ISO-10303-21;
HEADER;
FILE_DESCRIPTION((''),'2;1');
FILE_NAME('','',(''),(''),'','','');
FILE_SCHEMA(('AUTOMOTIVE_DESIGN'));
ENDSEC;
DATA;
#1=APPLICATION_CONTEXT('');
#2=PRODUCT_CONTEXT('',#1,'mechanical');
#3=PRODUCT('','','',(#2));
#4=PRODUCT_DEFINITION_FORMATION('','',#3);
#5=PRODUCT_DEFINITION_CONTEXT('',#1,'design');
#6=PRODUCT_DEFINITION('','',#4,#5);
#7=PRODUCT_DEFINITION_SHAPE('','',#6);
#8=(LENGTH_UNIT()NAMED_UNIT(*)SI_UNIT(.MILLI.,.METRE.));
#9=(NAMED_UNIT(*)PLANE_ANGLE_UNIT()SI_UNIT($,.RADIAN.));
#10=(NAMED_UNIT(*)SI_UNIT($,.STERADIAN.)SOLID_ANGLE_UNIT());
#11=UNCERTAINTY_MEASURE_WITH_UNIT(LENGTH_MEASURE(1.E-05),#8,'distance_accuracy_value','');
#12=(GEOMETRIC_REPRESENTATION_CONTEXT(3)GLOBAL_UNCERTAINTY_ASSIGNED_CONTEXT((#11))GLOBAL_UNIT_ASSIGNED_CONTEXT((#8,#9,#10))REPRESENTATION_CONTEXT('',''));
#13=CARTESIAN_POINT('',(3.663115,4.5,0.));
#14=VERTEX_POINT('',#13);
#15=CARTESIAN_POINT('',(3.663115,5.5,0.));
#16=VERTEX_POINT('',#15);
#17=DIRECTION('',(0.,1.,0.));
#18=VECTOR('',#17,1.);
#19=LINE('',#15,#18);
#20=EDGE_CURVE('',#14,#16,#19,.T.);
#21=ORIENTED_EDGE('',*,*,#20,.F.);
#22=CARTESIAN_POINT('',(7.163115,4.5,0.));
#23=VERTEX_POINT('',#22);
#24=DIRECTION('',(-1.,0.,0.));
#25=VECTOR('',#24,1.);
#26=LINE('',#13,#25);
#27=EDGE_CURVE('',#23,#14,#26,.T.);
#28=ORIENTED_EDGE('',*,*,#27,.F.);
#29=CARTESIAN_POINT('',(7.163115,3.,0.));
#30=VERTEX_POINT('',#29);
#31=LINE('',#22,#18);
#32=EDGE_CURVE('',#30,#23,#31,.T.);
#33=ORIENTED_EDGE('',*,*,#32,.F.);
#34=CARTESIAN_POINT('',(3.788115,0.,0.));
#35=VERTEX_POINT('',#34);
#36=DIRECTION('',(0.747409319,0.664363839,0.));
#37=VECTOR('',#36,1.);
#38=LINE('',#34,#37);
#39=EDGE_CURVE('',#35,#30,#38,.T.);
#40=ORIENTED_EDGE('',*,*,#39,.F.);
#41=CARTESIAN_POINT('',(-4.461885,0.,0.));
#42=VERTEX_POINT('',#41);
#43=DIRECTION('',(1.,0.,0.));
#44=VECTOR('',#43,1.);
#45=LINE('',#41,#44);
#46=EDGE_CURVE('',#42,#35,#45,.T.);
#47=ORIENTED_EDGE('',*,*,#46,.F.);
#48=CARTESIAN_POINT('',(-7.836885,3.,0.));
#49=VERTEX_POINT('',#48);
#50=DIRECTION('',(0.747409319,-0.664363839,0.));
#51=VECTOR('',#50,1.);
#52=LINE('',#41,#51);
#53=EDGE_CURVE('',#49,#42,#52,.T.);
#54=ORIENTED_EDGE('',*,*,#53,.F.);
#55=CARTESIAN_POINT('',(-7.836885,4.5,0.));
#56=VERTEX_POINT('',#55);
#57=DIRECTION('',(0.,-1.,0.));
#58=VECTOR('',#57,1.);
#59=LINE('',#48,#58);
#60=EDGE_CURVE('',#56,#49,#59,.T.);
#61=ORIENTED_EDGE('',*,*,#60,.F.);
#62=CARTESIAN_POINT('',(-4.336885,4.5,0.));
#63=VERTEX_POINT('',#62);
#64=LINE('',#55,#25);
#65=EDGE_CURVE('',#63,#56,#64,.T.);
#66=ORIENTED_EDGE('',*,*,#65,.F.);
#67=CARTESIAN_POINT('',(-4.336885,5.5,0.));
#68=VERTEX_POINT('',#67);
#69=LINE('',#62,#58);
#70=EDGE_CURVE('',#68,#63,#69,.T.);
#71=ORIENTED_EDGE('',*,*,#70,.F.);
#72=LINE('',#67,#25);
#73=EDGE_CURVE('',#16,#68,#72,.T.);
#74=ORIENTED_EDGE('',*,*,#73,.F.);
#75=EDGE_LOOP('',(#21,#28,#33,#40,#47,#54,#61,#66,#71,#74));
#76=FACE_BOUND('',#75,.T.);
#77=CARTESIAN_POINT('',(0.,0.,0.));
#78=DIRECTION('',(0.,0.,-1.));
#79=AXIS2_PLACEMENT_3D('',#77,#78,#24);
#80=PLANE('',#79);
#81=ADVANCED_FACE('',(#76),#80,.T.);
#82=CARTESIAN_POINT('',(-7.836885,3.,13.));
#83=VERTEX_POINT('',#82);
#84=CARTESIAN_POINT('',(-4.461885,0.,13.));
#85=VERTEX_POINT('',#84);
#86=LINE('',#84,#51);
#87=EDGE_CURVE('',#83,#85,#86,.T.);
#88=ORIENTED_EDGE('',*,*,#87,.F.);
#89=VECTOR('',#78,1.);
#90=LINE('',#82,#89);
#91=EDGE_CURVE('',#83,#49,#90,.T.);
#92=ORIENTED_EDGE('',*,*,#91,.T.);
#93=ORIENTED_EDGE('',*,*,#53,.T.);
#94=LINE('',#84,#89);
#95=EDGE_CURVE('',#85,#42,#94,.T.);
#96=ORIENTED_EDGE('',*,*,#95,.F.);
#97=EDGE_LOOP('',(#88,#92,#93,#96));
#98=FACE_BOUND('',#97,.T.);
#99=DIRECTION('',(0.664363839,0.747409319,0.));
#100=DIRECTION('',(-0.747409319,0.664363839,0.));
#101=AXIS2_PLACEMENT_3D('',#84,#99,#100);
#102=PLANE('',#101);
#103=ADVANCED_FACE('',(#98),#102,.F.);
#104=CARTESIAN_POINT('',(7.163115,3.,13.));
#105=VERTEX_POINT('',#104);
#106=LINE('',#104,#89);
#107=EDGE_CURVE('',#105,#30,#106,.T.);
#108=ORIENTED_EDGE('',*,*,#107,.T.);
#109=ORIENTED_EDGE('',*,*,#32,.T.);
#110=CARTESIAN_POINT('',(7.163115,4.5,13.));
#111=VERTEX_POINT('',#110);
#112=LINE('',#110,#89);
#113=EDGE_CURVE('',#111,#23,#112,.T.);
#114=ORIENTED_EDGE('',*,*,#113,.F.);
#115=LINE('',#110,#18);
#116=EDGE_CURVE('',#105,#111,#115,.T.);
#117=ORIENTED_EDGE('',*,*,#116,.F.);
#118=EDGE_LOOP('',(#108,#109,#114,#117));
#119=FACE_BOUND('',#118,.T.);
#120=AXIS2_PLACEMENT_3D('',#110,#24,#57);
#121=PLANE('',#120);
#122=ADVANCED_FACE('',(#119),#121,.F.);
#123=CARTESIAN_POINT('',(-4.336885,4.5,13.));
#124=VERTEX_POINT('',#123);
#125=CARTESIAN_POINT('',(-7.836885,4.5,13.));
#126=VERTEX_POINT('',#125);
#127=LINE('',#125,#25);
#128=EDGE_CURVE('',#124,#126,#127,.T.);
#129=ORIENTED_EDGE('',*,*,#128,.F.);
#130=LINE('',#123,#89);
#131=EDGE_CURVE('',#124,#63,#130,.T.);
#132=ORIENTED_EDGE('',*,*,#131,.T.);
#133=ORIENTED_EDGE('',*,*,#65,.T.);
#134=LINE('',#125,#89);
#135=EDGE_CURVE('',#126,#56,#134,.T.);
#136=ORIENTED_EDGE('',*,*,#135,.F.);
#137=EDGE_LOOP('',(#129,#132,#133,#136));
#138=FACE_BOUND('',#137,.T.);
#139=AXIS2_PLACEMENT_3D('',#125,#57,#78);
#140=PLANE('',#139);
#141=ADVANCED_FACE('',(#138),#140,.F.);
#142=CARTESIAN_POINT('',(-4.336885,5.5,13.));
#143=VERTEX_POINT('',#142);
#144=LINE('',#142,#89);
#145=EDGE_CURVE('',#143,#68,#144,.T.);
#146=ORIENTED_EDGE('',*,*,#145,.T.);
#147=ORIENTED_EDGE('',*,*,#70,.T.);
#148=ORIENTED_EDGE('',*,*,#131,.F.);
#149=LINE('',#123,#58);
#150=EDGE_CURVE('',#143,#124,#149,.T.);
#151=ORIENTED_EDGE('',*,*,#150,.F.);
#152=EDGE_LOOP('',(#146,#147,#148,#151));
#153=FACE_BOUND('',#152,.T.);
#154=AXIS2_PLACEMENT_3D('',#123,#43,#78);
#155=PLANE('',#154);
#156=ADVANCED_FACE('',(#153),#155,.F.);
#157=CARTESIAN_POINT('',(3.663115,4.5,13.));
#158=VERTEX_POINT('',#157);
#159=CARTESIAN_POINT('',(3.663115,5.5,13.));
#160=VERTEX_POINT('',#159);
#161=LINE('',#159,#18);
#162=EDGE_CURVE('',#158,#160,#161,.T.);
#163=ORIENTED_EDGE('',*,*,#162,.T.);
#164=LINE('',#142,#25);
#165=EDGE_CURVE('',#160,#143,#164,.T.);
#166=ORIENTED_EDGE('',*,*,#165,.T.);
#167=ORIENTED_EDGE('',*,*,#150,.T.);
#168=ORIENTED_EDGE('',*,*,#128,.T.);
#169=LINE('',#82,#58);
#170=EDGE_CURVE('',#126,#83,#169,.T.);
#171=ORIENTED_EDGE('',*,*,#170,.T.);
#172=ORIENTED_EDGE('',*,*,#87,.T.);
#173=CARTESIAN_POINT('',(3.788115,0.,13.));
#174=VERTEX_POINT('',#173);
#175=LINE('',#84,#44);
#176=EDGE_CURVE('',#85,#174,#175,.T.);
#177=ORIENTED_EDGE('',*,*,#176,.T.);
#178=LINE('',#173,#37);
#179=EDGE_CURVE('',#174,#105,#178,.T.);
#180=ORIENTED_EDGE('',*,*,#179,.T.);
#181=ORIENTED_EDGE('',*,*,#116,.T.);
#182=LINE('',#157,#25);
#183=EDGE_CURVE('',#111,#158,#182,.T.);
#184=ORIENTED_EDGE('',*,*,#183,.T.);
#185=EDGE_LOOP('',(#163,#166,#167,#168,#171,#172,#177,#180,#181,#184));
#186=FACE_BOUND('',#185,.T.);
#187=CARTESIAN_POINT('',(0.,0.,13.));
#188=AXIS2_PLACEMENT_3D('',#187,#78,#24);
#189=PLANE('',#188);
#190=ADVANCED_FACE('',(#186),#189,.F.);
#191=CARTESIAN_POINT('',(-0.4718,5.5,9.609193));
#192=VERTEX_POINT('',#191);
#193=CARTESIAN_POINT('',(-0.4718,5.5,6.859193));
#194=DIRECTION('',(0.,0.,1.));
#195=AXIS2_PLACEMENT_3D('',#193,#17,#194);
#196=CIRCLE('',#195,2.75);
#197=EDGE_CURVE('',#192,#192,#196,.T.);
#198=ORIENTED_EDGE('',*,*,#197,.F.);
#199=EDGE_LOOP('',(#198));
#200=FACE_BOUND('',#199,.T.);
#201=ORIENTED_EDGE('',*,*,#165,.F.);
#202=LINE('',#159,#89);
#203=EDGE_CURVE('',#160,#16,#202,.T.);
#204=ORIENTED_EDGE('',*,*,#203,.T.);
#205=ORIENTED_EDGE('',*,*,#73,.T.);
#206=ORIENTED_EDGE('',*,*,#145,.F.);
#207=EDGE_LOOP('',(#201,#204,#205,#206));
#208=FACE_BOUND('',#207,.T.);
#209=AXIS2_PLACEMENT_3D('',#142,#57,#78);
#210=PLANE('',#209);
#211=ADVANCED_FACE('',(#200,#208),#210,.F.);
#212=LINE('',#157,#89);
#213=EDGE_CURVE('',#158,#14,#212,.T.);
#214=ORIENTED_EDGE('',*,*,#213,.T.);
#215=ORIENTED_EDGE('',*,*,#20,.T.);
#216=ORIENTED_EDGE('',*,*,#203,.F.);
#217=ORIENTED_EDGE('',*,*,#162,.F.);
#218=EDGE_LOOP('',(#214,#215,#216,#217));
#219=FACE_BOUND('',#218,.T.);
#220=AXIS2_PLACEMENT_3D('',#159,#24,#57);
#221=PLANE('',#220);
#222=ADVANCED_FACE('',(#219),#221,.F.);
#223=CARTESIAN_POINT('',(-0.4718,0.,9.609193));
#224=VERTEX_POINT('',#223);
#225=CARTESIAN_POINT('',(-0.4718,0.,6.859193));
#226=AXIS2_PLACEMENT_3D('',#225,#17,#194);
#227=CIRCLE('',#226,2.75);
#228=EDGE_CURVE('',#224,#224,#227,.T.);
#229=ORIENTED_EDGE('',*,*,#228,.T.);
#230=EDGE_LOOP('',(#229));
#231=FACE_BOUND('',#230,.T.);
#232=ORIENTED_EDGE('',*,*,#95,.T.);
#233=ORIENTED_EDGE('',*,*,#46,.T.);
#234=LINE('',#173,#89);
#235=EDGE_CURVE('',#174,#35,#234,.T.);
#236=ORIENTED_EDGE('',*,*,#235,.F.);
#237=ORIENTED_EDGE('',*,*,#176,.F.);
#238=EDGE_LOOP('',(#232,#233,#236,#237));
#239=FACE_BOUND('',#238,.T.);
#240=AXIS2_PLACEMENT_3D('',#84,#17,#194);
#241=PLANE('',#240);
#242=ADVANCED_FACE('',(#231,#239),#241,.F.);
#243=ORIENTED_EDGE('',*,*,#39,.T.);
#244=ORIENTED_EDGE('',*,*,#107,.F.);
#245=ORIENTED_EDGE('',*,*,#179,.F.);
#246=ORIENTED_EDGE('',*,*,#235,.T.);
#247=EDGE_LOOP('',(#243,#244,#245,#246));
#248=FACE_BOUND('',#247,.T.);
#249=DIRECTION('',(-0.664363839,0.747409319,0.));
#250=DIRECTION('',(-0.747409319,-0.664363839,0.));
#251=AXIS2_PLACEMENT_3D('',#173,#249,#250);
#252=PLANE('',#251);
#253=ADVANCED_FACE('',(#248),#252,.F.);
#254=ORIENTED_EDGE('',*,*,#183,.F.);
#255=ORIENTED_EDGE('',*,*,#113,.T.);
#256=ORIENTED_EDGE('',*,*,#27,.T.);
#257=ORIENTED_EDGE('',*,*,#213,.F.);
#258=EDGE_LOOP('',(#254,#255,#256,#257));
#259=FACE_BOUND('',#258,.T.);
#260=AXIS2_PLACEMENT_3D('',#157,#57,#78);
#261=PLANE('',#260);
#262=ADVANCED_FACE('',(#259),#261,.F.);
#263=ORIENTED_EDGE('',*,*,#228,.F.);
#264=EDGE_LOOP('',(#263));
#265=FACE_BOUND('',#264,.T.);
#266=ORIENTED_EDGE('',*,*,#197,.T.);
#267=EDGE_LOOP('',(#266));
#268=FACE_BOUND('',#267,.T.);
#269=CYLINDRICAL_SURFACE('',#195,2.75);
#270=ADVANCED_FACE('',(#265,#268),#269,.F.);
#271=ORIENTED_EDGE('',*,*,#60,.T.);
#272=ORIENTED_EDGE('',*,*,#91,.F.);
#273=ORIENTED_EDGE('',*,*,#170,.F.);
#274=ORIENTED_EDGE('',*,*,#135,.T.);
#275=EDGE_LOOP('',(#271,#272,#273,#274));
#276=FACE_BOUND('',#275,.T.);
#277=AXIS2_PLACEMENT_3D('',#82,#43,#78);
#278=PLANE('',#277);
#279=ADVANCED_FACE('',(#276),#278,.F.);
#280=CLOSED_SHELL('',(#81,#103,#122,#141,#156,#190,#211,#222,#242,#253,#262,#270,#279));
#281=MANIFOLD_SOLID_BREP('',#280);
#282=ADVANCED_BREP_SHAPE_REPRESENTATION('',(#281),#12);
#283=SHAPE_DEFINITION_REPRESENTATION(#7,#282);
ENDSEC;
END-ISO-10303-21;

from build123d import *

# Parameters (mm, degrees)
EXTRUDE_1_DEPTH = 13


with BuildPart() as part:
    # Эскиз1 → Бобышка-Вытянуть1 (new body)
    with BuildSketch(Plane.XY):
        Polygon((-4.461885495, 0), (3.788114505, 0), (7.163114505, 3), (7.163114505, 4.5), (3.663114505, 4.5), (3.663114505, 5.5), (-4.336885495, 5.5), (-4.336885495, 4.5), (-7.836885495, 4.5), (-7.836885495, 3), align=None)
    extrude(amount=EXTRUDE_1_DEPTH)

    # Эскиз4 → Зенковка для  винта с плоской головкой M52 (revolve, cut)
    with BuildSketch(Plane(origin=(-0.471799648, 5.5, 6.859193471), x_dir=(0, 0, 1), z_dir=(1, 0, 0))):
        Polygon((0, 0), (0, 5.5), (2.75, 5.5), (2.75, 2.45), (2.75, 0), align=None)
    revolve(axis=Axis((-0.471799648, 11.85, 6.859193471), (0, -1, 0)), mode=Mode.SUBTRACT)


solid = part.part
